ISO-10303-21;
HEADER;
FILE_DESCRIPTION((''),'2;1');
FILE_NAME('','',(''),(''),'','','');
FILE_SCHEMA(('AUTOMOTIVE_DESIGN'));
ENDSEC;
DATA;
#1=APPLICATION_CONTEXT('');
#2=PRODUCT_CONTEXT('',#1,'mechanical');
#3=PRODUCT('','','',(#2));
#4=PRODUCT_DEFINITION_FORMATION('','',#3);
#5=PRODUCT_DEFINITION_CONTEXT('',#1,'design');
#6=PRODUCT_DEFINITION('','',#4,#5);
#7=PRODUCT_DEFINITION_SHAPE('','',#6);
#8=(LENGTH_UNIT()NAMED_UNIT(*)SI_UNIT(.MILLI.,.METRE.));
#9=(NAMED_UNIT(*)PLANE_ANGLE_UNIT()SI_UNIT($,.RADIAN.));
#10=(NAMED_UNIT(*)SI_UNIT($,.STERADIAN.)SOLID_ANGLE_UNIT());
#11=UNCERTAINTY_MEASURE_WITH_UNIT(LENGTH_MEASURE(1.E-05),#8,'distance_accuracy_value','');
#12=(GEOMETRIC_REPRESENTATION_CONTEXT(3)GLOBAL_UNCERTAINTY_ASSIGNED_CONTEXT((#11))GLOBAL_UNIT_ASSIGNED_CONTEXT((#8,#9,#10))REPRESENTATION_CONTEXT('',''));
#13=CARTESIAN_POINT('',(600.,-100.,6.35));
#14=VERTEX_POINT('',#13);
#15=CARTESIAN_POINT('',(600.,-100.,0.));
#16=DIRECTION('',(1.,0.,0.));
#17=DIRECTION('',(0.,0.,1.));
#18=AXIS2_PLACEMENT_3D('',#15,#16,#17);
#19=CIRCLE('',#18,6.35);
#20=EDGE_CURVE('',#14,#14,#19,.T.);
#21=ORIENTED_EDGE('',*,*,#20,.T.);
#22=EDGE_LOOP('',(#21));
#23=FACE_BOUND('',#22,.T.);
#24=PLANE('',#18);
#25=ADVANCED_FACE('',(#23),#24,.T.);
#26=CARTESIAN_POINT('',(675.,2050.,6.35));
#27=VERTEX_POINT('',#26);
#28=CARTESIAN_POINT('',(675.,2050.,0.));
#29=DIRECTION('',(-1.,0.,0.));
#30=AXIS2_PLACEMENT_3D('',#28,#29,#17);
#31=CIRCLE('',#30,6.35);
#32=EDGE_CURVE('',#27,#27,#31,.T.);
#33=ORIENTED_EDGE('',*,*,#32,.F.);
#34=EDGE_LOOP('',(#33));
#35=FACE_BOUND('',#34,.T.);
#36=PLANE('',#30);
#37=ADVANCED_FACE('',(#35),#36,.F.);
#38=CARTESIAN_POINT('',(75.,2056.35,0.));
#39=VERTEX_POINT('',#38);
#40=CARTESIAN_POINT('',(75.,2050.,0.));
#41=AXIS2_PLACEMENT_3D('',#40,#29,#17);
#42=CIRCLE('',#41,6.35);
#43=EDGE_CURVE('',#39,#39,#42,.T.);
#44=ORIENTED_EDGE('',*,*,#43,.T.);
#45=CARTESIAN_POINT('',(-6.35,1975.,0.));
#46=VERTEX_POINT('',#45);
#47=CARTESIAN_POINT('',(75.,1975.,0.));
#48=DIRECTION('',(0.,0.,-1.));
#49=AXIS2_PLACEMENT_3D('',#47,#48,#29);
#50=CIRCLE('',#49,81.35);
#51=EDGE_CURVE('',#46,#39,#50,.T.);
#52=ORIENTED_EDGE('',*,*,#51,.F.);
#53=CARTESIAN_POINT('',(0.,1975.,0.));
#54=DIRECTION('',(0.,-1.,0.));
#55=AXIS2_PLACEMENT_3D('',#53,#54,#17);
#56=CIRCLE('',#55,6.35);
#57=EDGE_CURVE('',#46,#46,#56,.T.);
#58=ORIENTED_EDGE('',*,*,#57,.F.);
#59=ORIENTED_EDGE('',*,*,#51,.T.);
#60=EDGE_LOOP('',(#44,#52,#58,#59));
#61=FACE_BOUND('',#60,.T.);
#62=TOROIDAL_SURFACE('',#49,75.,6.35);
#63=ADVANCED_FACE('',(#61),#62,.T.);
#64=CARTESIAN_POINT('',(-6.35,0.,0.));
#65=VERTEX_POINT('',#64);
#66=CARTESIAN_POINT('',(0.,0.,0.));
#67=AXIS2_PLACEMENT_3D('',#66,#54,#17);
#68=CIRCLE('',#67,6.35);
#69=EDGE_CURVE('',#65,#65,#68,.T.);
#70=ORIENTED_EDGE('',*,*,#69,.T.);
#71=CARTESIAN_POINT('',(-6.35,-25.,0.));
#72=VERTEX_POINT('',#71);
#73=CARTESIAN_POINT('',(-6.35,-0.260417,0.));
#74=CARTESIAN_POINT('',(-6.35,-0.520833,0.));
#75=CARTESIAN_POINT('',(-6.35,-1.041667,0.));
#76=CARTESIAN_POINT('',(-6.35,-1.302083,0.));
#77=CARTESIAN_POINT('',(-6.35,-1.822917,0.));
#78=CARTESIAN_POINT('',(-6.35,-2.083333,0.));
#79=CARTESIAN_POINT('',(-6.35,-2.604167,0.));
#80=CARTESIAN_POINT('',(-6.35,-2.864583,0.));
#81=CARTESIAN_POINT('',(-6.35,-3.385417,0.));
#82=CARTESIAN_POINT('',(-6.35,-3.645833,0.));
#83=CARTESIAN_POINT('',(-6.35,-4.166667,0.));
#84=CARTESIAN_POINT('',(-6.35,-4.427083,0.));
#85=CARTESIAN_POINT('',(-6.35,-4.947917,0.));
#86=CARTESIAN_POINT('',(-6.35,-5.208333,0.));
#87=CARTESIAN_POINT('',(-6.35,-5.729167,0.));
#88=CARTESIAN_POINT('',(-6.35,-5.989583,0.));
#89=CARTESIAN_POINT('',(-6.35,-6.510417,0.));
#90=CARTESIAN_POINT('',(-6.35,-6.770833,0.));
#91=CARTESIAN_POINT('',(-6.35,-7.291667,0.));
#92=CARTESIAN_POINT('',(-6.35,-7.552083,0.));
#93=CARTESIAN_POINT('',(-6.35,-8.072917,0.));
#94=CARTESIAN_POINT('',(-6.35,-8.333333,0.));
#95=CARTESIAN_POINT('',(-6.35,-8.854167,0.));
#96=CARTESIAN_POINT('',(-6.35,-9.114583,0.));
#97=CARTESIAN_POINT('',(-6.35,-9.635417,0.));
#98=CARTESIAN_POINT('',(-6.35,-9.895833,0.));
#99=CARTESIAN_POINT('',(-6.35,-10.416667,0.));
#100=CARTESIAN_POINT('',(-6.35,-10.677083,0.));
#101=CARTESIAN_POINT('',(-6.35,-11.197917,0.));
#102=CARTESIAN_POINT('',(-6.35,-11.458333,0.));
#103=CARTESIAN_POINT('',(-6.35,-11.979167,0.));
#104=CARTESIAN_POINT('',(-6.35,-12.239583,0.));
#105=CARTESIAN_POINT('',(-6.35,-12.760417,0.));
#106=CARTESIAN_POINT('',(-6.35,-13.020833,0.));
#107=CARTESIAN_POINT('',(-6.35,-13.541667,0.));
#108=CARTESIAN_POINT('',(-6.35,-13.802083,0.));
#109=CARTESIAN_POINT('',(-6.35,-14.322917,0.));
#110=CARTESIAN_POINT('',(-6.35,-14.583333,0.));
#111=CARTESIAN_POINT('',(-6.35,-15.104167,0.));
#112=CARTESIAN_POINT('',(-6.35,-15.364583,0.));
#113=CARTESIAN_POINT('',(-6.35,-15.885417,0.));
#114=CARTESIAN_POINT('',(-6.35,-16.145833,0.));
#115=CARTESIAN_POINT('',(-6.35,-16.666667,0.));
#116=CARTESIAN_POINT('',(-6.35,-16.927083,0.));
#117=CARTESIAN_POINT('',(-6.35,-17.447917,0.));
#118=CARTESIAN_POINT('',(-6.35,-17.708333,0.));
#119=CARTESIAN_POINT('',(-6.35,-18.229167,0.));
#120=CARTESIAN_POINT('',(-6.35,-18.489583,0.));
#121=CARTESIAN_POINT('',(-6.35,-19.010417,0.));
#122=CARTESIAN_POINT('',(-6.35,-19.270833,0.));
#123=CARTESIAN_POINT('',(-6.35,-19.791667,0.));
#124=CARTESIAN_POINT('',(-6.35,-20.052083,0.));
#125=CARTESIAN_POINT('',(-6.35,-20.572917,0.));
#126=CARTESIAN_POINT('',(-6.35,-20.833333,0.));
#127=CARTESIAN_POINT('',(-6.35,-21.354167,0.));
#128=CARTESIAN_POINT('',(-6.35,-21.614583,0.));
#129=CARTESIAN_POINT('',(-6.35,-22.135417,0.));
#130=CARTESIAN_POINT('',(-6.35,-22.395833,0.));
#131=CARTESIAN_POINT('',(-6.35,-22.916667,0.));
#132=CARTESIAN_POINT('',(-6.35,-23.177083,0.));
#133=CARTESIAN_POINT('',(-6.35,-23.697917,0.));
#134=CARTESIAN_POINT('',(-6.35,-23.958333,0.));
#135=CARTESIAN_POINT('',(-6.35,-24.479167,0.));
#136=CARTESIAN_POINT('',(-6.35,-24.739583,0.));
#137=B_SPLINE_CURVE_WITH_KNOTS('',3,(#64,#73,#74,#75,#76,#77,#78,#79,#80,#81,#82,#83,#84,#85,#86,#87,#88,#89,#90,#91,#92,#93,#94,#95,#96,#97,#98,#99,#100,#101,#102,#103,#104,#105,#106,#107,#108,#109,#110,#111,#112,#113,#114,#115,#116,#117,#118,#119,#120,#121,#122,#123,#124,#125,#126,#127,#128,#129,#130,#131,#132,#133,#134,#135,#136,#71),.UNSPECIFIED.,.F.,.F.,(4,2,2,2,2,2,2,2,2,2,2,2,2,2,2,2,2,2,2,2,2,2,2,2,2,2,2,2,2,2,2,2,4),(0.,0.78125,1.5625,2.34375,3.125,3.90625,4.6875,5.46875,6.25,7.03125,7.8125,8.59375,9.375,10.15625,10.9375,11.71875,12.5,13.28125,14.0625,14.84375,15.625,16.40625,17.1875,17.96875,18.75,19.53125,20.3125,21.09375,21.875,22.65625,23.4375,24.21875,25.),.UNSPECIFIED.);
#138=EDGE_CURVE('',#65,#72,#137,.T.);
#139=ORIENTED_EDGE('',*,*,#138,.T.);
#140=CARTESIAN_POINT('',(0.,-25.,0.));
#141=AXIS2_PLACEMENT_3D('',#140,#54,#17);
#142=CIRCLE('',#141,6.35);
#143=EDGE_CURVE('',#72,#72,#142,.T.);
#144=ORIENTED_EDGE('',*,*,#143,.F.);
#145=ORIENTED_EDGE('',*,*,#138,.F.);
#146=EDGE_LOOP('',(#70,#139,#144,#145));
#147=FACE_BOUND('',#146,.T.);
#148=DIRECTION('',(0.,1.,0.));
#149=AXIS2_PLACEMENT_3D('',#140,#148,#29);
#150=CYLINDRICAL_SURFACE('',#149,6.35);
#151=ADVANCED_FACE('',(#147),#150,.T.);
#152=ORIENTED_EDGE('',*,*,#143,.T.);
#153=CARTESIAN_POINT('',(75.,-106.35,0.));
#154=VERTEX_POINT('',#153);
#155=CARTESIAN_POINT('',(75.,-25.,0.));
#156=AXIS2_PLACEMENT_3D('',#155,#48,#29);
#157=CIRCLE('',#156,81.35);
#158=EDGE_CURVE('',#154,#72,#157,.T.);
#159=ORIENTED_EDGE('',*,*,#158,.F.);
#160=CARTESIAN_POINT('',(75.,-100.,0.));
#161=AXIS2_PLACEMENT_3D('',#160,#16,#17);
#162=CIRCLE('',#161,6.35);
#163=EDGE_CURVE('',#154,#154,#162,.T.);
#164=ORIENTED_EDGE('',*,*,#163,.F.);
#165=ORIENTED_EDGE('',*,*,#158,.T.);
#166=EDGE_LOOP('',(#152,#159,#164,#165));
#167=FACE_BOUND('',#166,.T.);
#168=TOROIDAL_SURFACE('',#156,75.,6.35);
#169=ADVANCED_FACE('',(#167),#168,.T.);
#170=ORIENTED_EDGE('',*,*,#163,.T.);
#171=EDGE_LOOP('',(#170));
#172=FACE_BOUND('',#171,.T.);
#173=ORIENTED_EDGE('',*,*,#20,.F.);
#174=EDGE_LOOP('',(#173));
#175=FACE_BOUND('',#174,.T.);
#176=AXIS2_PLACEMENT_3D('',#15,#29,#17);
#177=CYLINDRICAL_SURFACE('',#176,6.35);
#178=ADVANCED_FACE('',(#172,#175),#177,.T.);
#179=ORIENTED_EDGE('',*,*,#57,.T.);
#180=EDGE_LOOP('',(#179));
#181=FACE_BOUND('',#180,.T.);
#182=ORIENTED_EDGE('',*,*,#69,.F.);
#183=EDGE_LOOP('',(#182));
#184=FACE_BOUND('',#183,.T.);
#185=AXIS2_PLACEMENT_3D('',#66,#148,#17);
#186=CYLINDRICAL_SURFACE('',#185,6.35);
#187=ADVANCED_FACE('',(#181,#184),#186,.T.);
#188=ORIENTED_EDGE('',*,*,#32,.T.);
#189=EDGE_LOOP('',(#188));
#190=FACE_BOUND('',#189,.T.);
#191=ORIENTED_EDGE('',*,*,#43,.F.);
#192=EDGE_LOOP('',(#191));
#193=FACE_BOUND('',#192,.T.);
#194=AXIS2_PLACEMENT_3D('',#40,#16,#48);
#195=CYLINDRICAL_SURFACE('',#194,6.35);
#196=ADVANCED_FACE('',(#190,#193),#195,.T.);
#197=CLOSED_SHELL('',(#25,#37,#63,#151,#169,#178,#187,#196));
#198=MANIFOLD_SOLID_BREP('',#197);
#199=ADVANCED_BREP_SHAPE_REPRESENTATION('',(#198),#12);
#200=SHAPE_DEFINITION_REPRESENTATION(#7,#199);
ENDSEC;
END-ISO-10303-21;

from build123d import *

# Parameters (mm, degrees)
SWEEP1_PROFILE_R = 6.35


with BuildPart() as part:
    # Sweep1: sweep along a path in Sketch1
    with BuildLine(Plane.XY) as sweep1_path:
        Line((675, 2050), (75, 2050))
        ThreePointArc((75, 2050), (21.966991411, 2028.033008589), (0, 1975))
        Line((0, 1975), (0, 0))
        Line((0, 0), (0, -25))
        ThreePointArc((0, -25), (21.966991411, -78.033008589), (75, -100))
        Line((75, -100), (600, -100))
    # Sweep1 profile (on start of the path) → Sweep1 (sweep)
    with BuildSketch(Plane(origin=(675, 2050, 0), x_dir=(0, 0, -1), z_dir=(-1, 0, 0))):
        Circle(SWEEP1_PROFILE_R)
    sweep(path=sweep1_path.line)


solid = part.part
